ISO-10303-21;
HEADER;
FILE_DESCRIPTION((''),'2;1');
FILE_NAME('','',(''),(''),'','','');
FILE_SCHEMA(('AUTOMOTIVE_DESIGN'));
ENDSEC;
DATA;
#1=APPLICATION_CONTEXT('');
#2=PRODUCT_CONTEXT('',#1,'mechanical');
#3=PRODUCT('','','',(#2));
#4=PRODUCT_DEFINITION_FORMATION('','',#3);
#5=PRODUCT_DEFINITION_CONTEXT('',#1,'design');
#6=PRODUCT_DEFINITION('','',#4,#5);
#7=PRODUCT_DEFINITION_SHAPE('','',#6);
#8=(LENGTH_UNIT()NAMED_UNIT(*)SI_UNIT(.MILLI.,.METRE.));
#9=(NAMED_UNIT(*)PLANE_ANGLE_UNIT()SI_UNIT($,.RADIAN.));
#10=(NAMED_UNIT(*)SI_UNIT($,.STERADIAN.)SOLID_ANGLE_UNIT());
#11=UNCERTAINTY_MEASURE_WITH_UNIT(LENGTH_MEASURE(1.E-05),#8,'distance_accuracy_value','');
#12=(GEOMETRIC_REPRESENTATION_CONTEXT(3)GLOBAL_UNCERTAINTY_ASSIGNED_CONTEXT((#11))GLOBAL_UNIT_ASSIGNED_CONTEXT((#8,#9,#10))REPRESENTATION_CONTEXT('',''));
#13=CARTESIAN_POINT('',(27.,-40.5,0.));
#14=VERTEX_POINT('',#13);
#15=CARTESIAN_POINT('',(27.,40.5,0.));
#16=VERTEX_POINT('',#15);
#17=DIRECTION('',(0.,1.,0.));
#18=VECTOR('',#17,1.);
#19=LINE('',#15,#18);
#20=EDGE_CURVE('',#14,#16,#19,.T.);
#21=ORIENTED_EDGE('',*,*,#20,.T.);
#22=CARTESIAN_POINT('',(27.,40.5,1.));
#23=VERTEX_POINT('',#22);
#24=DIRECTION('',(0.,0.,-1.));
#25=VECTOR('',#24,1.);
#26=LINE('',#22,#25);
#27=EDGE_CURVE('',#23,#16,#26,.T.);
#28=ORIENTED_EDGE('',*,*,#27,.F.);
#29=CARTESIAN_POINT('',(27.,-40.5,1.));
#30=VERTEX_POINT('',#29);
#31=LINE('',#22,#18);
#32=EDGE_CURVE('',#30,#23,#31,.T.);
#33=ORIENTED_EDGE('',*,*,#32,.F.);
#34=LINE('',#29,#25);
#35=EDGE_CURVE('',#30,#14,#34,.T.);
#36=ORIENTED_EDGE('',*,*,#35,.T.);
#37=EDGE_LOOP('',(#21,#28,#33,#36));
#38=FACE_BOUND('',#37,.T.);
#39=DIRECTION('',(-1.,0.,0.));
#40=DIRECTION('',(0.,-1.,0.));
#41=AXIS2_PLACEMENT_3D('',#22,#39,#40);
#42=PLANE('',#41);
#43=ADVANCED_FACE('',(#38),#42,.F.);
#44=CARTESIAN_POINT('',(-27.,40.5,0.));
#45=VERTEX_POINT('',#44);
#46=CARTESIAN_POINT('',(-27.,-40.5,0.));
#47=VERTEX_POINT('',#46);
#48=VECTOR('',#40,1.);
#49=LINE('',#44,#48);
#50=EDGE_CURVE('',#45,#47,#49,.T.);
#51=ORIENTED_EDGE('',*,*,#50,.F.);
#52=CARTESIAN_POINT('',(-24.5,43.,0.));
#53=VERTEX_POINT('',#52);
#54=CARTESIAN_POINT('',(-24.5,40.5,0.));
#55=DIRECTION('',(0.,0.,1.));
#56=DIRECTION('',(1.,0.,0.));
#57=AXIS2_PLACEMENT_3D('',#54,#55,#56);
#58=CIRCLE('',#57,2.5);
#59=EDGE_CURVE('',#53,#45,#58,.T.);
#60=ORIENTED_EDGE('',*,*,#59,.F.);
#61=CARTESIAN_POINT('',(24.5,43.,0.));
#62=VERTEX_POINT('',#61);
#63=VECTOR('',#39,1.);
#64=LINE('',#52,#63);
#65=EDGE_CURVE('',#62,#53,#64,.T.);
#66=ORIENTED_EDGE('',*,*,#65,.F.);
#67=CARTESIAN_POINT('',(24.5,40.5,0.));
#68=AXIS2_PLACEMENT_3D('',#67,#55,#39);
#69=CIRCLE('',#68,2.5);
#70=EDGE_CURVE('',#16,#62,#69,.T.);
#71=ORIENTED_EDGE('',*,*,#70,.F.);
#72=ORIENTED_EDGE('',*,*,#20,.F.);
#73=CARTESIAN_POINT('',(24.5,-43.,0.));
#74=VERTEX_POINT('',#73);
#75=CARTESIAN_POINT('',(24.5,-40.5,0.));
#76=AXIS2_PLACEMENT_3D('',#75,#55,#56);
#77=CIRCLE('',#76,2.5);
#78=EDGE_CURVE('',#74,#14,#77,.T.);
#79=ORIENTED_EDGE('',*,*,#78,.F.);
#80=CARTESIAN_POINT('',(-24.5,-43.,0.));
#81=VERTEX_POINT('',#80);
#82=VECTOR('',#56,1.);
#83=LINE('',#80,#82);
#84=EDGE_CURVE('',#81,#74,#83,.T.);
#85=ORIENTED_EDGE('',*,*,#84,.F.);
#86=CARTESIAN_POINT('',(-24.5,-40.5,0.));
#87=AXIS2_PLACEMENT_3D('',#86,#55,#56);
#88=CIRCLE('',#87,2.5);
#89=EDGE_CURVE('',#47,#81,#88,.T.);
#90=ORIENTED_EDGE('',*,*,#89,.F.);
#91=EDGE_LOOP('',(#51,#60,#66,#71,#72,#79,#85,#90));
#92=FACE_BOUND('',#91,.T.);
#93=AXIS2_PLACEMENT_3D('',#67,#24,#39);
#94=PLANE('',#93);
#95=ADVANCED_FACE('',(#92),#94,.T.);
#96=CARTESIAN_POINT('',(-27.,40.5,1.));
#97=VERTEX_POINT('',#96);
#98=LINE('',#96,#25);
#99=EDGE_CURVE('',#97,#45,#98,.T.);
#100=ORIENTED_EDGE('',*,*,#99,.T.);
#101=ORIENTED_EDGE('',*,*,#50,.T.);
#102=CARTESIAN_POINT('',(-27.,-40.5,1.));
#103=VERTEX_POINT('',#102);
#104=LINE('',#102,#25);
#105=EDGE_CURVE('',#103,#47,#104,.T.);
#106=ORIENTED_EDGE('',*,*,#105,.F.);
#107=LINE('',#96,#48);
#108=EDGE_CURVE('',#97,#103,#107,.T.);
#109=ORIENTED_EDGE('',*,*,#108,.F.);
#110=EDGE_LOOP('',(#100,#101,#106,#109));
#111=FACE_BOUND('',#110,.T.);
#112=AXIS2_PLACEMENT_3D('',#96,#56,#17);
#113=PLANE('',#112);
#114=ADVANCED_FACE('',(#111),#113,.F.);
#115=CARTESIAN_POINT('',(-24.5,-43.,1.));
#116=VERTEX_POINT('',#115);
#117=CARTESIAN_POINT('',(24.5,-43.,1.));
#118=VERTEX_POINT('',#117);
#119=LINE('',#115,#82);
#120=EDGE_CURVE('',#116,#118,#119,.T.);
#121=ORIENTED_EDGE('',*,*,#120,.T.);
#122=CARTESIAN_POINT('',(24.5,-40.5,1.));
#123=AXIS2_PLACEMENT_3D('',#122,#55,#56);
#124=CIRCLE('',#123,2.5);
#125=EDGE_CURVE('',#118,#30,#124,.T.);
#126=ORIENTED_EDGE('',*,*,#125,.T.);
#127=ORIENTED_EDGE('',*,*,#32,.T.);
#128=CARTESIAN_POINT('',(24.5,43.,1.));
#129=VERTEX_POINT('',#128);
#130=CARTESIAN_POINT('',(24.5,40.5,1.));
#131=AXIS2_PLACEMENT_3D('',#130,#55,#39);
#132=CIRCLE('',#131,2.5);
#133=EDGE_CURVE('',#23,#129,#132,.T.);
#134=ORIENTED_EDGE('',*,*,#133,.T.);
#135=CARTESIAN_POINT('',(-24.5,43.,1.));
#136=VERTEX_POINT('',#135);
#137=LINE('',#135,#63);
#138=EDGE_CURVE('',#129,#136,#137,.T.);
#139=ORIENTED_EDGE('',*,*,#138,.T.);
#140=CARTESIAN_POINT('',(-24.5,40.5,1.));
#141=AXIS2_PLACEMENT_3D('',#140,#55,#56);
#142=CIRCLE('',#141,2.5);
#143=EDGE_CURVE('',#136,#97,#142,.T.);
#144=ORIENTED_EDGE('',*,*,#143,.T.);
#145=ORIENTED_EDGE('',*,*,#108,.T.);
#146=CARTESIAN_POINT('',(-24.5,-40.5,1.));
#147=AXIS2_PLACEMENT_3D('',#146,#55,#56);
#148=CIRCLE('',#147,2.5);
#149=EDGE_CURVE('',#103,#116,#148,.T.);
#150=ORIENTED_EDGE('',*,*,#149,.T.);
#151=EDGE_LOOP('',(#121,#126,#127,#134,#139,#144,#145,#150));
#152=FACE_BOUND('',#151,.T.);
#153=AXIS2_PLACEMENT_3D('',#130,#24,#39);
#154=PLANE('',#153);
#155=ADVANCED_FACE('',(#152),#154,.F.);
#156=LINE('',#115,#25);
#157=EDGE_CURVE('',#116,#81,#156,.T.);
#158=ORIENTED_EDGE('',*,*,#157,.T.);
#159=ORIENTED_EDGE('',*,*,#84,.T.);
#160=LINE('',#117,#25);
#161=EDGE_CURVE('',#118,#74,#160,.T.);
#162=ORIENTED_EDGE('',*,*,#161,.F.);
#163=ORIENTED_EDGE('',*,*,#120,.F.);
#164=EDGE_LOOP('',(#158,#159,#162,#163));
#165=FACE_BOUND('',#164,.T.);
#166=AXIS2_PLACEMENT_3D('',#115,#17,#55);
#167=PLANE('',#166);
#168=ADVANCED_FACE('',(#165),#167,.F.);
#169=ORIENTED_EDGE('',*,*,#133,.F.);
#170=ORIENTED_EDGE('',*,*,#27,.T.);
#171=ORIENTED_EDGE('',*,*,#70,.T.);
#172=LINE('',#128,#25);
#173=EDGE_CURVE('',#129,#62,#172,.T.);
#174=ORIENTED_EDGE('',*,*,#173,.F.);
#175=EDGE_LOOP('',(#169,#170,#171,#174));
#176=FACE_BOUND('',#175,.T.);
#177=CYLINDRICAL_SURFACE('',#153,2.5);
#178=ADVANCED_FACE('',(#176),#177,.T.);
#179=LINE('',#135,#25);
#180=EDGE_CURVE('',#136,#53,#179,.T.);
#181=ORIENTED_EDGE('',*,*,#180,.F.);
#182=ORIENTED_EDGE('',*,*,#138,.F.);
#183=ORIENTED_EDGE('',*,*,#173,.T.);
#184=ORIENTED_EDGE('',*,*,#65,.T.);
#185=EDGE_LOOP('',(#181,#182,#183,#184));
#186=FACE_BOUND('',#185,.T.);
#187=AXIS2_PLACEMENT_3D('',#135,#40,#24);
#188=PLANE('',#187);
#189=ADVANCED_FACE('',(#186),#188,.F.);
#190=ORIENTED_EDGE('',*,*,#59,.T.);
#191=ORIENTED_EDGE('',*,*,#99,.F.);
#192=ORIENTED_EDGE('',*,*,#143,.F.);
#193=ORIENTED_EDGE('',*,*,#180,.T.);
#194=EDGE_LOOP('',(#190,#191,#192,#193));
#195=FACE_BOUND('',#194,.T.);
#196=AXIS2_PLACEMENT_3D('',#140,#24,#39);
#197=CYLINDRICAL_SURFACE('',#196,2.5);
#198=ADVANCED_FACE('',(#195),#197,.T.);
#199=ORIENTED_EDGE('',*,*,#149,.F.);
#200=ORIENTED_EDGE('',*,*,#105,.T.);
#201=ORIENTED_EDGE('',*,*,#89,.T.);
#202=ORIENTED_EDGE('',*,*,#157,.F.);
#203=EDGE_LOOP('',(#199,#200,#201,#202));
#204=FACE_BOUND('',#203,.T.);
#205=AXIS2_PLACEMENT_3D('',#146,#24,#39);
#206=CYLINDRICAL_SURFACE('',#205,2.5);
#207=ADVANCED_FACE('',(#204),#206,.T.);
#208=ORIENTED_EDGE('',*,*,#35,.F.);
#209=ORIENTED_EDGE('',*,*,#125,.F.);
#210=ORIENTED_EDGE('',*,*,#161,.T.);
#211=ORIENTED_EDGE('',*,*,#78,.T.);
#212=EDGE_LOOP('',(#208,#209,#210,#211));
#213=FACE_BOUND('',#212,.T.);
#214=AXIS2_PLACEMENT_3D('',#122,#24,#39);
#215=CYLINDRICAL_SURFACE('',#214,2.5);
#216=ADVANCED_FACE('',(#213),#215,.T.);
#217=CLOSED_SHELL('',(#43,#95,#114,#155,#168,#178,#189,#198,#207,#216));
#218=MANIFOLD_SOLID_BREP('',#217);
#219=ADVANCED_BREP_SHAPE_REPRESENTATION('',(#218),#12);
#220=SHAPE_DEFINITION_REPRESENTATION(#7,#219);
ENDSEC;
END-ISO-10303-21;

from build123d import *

# Parameters (mm, degrees)
DODANIE_WYCI_GNI_CIE1_DEPTH = 1


with BuildPart() as part:
    # Szkic1 → Dodanie-wyciągnięcie1 (new body)
    with BuildSketch(Plane.XY):
        with BuildLine():
            Line((-24.5, 43), (24.5, 43))
            ThreePointArc((24.5, 43), (26.267766953, 42.267766953), (27, 40.5))
            Line((27, 40.5), (27, -40.5))
            ThreePointArc((27, -40.5), (26.267766953, -42.267766953), (24.5, -43))
            Line((24.5, -43), (-24.5, -43))
            ThreePointArc((-24.5, -43), (-26.267766953, -42.267766953), (-27, -40.5))
            Line((-27, -40.5), (-27, 40.5))
            ThreePointArc((-27, 40.5), (-26.267766953, 42.267766953), (-24.5, 43))
        make_face()
    extrude(amount=DODANIE_WYCI_GNI_CIE1_DEPTH)


solid = part.part
